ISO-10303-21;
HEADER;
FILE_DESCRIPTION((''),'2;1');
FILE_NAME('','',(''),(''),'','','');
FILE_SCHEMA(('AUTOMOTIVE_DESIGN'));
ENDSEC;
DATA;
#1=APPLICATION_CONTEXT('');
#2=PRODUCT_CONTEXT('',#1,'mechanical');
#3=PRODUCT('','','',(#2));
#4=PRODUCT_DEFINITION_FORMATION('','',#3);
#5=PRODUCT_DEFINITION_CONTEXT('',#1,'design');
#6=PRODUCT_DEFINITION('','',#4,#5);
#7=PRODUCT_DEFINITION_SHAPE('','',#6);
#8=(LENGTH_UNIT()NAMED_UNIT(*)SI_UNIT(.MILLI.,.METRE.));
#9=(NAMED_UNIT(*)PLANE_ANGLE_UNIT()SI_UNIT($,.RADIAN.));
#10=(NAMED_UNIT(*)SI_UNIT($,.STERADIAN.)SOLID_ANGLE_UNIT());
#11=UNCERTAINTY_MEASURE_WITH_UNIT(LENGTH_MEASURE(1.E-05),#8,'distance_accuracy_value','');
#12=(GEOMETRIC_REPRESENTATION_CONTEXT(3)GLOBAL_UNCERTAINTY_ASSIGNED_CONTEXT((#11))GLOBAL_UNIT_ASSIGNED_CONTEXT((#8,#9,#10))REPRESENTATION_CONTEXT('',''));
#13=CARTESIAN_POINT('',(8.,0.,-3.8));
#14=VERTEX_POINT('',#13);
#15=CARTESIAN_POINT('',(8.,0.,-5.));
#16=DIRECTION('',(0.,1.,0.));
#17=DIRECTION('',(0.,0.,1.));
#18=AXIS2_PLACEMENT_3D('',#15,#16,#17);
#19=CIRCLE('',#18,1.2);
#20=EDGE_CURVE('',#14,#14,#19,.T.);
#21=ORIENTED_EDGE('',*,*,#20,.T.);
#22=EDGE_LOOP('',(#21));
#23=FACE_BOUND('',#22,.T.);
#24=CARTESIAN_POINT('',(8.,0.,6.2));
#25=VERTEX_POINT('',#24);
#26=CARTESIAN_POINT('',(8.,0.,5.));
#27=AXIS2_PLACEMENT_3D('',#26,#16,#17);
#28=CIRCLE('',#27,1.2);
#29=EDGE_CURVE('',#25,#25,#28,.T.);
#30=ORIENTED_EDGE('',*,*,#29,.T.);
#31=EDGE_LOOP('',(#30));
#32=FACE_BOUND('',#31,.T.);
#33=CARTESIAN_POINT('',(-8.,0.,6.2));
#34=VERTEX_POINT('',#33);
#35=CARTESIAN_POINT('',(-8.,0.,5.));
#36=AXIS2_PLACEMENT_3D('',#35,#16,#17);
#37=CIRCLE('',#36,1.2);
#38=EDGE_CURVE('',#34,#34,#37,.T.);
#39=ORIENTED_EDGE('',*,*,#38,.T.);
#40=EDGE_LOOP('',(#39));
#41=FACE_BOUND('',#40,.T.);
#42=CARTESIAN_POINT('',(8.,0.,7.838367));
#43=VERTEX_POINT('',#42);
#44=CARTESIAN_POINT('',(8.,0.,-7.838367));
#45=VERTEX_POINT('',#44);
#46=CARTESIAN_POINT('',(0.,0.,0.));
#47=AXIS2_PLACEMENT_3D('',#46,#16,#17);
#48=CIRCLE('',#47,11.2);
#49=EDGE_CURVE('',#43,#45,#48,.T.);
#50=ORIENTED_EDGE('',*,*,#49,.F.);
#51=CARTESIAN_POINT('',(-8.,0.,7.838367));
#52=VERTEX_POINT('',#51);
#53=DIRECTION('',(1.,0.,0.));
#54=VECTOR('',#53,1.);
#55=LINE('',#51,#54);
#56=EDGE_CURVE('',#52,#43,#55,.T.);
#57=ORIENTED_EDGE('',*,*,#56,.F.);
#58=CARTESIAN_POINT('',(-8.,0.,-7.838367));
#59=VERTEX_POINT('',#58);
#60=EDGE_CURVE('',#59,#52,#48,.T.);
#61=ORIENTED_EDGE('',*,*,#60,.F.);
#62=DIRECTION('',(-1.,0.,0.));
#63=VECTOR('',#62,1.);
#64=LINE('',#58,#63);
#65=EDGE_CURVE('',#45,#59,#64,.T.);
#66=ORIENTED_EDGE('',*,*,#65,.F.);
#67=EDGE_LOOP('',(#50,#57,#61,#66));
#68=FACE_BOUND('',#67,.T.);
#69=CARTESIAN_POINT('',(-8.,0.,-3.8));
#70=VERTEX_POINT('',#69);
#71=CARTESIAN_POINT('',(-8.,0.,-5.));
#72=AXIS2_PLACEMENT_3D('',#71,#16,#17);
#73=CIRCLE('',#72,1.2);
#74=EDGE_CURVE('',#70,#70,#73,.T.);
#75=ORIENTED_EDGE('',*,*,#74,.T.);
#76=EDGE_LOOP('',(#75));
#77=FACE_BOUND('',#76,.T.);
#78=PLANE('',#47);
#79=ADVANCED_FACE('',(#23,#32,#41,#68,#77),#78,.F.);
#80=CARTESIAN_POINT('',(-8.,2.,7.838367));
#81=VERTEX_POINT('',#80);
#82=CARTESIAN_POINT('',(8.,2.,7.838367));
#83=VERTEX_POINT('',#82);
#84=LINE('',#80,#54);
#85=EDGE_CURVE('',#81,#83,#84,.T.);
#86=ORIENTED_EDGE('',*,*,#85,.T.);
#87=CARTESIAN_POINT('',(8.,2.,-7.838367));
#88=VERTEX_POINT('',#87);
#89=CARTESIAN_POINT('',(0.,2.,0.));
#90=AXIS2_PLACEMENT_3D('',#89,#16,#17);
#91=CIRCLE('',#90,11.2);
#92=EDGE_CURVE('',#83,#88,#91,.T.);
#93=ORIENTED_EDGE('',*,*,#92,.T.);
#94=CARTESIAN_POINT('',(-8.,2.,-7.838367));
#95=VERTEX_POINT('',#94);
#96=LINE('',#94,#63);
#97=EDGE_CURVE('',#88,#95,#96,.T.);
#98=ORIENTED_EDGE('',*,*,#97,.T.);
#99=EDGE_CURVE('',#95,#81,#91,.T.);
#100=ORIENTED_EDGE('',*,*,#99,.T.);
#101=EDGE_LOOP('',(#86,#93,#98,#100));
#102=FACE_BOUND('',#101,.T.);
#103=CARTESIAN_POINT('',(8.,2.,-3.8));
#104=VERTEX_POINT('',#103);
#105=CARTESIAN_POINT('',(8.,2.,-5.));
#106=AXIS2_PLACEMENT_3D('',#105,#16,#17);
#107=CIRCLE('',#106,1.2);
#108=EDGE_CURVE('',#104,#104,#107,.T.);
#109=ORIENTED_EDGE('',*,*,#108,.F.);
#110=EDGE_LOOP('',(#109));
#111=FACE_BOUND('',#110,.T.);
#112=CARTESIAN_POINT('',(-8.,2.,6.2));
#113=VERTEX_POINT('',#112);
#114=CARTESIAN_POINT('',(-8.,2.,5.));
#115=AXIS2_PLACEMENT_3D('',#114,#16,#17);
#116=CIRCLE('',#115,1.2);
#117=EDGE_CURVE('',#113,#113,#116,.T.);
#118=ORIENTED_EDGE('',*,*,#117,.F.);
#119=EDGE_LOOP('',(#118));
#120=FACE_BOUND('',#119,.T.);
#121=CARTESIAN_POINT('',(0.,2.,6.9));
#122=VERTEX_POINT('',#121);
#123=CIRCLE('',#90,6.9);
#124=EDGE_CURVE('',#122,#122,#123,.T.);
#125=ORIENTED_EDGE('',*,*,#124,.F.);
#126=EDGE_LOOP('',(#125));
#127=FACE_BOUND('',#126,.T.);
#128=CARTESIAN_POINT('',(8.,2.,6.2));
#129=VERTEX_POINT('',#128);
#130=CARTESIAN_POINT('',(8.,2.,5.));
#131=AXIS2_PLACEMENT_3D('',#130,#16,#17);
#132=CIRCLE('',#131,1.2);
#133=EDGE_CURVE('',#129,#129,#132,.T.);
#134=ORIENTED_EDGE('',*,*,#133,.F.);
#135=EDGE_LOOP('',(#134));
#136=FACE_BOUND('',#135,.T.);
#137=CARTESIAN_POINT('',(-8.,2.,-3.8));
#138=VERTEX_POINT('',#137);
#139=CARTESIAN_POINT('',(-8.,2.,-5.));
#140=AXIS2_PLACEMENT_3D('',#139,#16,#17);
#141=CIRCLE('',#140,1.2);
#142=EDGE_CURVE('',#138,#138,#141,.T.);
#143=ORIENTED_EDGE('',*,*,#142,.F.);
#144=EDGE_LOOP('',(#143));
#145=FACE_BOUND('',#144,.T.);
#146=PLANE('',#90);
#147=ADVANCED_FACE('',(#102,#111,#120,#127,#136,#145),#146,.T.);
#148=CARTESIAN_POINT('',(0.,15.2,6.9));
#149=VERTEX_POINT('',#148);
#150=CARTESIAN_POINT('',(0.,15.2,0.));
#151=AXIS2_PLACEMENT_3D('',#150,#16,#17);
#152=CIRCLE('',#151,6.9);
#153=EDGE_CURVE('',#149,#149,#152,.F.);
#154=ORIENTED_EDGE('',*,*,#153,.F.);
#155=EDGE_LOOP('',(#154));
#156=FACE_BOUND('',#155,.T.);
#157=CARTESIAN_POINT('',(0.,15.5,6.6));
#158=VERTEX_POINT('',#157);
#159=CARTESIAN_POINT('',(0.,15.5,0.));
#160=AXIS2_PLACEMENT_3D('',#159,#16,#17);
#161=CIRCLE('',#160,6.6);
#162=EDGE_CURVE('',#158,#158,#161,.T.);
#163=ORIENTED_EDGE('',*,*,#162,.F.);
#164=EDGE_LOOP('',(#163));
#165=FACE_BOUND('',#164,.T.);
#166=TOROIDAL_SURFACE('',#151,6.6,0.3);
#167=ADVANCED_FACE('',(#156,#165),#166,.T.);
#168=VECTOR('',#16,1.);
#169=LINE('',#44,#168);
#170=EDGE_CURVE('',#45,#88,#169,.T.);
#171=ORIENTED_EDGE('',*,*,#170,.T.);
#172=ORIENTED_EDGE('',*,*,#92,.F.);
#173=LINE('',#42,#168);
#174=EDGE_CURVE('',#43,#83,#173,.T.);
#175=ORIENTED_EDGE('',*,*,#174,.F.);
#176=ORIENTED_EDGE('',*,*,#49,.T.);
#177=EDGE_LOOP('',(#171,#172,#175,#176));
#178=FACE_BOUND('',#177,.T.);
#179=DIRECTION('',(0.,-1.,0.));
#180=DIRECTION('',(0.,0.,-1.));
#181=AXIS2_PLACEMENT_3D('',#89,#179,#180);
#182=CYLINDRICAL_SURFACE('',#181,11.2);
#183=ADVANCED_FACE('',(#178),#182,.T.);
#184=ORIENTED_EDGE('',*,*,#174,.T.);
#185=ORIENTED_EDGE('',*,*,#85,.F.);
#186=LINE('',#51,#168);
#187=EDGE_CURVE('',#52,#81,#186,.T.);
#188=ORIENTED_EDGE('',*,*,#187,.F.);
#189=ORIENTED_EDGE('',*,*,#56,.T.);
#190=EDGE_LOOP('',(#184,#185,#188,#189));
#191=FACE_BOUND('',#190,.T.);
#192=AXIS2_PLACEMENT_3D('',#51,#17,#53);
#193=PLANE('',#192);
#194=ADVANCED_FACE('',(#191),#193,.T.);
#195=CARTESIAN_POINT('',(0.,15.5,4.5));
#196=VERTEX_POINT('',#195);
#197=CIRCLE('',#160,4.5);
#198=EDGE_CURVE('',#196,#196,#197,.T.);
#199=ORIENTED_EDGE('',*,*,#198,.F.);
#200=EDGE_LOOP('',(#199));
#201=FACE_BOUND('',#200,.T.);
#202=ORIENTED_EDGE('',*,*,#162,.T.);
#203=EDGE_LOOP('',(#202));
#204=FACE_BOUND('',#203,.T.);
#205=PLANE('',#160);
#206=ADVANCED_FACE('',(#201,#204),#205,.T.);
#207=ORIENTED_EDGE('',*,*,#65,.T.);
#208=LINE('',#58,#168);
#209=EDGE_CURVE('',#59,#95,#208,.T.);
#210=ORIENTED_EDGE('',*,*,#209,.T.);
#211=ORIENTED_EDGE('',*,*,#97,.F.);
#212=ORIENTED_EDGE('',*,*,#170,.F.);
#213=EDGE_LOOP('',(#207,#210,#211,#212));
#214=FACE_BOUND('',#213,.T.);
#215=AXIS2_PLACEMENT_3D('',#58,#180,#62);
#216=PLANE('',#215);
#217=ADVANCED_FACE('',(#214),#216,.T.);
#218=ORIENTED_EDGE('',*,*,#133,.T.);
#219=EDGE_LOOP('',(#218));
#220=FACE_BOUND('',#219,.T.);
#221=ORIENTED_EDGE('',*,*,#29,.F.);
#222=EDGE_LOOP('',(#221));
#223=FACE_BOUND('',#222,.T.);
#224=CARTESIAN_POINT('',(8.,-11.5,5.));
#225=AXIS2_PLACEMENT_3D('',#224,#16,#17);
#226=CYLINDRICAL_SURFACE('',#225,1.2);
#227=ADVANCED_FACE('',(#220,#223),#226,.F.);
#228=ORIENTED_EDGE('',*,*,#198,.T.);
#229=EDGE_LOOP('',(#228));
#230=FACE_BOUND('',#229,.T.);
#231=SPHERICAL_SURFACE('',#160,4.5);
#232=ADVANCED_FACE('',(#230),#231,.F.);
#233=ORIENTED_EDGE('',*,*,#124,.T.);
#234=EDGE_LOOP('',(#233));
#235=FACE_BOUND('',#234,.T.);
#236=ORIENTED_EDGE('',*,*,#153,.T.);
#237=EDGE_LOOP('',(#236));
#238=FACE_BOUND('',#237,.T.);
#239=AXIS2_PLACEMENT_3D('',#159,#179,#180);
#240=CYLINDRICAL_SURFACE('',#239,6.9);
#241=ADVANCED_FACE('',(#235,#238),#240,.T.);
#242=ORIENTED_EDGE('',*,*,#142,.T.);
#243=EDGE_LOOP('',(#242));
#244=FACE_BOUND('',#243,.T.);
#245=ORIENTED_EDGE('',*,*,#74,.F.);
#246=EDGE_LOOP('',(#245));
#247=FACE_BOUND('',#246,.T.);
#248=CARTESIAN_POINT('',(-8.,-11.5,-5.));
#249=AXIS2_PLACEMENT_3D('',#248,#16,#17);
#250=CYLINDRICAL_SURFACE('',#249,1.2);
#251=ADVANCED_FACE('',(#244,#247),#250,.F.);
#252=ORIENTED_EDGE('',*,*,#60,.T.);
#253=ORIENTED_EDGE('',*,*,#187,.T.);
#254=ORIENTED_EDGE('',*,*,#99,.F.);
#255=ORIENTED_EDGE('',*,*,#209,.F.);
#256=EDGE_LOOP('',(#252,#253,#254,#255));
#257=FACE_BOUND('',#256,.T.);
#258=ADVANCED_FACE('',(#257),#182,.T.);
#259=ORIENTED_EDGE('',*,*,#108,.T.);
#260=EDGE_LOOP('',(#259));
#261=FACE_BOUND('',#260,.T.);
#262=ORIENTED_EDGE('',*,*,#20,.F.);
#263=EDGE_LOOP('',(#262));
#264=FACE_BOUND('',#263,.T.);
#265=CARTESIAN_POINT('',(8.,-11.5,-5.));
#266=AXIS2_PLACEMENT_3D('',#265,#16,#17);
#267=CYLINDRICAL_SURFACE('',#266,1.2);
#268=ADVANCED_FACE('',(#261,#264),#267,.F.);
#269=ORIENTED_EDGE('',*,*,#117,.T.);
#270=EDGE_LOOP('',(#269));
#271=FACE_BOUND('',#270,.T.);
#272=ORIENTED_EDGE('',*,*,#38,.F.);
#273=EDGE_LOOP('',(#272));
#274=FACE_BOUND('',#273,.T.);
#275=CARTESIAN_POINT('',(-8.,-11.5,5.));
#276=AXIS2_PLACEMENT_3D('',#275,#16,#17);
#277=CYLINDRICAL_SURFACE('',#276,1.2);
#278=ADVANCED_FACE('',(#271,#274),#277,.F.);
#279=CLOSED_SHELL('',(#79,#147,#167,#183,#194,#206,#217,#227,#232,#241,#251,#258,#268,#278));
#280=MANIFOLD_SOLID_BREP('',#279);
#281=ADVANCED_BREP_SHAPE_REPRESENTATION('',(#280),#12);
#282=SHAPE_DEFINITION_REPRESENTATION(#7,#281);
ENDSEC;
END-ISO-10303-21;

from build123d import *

# Parameters (mm, degrees)
SKETCH_1_R          = 11.2
EXTRUDE_1_DEPTH     = 2
SKETCH_2_OUTSIDE_W  = 30.748
SKETCH_2_OUTSIDE_H  = 30.748
CUT_EXTRUDE_1_DEPTH = 2
SKETCH_3_R          = 6.9
EXTRUDE_2_DEPTH     = 13.5
SKETCH_4_R          = 1.2
CUT_EXTRUDE_2_DEPTH = 13.5
FILLET_1_R          = 0.3


with BuildPart() as part:
    # 草图1 → 凸台-拉伸1 (new body)
    with BuildSketch(Plane(origin=(0, 0, 0), x_dir=(1, 0, 0), z_dir=(0, 1, 0))):
        with Locations(Location((0, 0, 0), (0, 0, 270))):
            Circle(SKETCH_1_R)
    extrude(amount=EXTRUDE_1_DEPTH)

    # 草图2 outside → 切除-拉伸1 (cut)
    with BuildSketch(Plane(origin=(0, 2, 0), x_dir=(1, 0, 0), z_dir=(0, 1, 0))):
        Rectangle(SKETCH_2_OUTSIDE_W, SKETCH_2_OUTSIDE_H)
        with BuildLine():
            Line((-8, -7.838367177), (8, -7.838367177))
            ThreePointArc((8, -7.838367177), (11.2, 0), (8, 7.838367177))
            Line((8, 7.838367177), (-8, 7.838367177))
            ThreePointArc((-8, 7.838367177), (-11.2, 0), (-8, -7.838367177))
        make_face(mode=Mode.SUBTRACT)
    extrude(amount=-CUT_EXTRUDE_1_DEPTH, mode=Mode.SUBTRACT)

    # 草图3 → 凸台-拉伸2 (add)
    with BuildSketch(Plane(origin=(0, 2, 0), x_dir=(1, 0, 0), z_dir=(0, 1, 0))):
        with Locations(Location((0, 0, 0), (0, 0, 270))):
            Circle(SKETCH_3_R)
    extrude(amount=EXTRUDE_2_DEPTH)

    # 草图4 → 切除-拉伸2 (cut)
    with BuildSketch(Plane(origin=(0, 2, 0), x_dir=(1, 0, 0), z_dir=(0, 1, 0))):
        with Locations(Location((-8, 5, 0), (0, 0, 270))):
            Circle(SKETCH_4_R)
        with Locations(Location((-8, -5, 0), (0, 0, 270))):
            Circle(SKETCH_4_R)
        with Locations(Location((8, -5, 0), (0, 0, 270))):
            Circle(SKETCH_4_R)
        with Locations(Location((8, 5, 0), (0, 0, 270))):
            Circle(SKETCH_4_R)
    extrude(amount=-CUT_EXTRUDE_2_DEPTH, mode=Mode.SUBTRACT)

    # 圆角1
    fillet_1_edges = [part.edges().sort_by_distance(p)[0] for p in [
        (0, 15.5, -6.9),
    ]]
    fillet(fillet_1_edges, radius=FILLET_1_R)

    # 草图5 → 切除-旋转1 (revolve, cut)
    with BuildSketch(Plane(origin=(0, 15.5, 0), x_dir=(1, 0, 0), z_dir=(0, 1, 0))):
        with BuildLine():
            Line((0, 4.5), (0, -4.5))
            ThreePointArc((0, -4.5), (4.5, 0), (0, 4.5))
        make_face()
    revolve(axis=Axis((0, 15.5, 4.5), (0, 0, -1)), mode=Mode.SUBTRACT)


solid = part.part
